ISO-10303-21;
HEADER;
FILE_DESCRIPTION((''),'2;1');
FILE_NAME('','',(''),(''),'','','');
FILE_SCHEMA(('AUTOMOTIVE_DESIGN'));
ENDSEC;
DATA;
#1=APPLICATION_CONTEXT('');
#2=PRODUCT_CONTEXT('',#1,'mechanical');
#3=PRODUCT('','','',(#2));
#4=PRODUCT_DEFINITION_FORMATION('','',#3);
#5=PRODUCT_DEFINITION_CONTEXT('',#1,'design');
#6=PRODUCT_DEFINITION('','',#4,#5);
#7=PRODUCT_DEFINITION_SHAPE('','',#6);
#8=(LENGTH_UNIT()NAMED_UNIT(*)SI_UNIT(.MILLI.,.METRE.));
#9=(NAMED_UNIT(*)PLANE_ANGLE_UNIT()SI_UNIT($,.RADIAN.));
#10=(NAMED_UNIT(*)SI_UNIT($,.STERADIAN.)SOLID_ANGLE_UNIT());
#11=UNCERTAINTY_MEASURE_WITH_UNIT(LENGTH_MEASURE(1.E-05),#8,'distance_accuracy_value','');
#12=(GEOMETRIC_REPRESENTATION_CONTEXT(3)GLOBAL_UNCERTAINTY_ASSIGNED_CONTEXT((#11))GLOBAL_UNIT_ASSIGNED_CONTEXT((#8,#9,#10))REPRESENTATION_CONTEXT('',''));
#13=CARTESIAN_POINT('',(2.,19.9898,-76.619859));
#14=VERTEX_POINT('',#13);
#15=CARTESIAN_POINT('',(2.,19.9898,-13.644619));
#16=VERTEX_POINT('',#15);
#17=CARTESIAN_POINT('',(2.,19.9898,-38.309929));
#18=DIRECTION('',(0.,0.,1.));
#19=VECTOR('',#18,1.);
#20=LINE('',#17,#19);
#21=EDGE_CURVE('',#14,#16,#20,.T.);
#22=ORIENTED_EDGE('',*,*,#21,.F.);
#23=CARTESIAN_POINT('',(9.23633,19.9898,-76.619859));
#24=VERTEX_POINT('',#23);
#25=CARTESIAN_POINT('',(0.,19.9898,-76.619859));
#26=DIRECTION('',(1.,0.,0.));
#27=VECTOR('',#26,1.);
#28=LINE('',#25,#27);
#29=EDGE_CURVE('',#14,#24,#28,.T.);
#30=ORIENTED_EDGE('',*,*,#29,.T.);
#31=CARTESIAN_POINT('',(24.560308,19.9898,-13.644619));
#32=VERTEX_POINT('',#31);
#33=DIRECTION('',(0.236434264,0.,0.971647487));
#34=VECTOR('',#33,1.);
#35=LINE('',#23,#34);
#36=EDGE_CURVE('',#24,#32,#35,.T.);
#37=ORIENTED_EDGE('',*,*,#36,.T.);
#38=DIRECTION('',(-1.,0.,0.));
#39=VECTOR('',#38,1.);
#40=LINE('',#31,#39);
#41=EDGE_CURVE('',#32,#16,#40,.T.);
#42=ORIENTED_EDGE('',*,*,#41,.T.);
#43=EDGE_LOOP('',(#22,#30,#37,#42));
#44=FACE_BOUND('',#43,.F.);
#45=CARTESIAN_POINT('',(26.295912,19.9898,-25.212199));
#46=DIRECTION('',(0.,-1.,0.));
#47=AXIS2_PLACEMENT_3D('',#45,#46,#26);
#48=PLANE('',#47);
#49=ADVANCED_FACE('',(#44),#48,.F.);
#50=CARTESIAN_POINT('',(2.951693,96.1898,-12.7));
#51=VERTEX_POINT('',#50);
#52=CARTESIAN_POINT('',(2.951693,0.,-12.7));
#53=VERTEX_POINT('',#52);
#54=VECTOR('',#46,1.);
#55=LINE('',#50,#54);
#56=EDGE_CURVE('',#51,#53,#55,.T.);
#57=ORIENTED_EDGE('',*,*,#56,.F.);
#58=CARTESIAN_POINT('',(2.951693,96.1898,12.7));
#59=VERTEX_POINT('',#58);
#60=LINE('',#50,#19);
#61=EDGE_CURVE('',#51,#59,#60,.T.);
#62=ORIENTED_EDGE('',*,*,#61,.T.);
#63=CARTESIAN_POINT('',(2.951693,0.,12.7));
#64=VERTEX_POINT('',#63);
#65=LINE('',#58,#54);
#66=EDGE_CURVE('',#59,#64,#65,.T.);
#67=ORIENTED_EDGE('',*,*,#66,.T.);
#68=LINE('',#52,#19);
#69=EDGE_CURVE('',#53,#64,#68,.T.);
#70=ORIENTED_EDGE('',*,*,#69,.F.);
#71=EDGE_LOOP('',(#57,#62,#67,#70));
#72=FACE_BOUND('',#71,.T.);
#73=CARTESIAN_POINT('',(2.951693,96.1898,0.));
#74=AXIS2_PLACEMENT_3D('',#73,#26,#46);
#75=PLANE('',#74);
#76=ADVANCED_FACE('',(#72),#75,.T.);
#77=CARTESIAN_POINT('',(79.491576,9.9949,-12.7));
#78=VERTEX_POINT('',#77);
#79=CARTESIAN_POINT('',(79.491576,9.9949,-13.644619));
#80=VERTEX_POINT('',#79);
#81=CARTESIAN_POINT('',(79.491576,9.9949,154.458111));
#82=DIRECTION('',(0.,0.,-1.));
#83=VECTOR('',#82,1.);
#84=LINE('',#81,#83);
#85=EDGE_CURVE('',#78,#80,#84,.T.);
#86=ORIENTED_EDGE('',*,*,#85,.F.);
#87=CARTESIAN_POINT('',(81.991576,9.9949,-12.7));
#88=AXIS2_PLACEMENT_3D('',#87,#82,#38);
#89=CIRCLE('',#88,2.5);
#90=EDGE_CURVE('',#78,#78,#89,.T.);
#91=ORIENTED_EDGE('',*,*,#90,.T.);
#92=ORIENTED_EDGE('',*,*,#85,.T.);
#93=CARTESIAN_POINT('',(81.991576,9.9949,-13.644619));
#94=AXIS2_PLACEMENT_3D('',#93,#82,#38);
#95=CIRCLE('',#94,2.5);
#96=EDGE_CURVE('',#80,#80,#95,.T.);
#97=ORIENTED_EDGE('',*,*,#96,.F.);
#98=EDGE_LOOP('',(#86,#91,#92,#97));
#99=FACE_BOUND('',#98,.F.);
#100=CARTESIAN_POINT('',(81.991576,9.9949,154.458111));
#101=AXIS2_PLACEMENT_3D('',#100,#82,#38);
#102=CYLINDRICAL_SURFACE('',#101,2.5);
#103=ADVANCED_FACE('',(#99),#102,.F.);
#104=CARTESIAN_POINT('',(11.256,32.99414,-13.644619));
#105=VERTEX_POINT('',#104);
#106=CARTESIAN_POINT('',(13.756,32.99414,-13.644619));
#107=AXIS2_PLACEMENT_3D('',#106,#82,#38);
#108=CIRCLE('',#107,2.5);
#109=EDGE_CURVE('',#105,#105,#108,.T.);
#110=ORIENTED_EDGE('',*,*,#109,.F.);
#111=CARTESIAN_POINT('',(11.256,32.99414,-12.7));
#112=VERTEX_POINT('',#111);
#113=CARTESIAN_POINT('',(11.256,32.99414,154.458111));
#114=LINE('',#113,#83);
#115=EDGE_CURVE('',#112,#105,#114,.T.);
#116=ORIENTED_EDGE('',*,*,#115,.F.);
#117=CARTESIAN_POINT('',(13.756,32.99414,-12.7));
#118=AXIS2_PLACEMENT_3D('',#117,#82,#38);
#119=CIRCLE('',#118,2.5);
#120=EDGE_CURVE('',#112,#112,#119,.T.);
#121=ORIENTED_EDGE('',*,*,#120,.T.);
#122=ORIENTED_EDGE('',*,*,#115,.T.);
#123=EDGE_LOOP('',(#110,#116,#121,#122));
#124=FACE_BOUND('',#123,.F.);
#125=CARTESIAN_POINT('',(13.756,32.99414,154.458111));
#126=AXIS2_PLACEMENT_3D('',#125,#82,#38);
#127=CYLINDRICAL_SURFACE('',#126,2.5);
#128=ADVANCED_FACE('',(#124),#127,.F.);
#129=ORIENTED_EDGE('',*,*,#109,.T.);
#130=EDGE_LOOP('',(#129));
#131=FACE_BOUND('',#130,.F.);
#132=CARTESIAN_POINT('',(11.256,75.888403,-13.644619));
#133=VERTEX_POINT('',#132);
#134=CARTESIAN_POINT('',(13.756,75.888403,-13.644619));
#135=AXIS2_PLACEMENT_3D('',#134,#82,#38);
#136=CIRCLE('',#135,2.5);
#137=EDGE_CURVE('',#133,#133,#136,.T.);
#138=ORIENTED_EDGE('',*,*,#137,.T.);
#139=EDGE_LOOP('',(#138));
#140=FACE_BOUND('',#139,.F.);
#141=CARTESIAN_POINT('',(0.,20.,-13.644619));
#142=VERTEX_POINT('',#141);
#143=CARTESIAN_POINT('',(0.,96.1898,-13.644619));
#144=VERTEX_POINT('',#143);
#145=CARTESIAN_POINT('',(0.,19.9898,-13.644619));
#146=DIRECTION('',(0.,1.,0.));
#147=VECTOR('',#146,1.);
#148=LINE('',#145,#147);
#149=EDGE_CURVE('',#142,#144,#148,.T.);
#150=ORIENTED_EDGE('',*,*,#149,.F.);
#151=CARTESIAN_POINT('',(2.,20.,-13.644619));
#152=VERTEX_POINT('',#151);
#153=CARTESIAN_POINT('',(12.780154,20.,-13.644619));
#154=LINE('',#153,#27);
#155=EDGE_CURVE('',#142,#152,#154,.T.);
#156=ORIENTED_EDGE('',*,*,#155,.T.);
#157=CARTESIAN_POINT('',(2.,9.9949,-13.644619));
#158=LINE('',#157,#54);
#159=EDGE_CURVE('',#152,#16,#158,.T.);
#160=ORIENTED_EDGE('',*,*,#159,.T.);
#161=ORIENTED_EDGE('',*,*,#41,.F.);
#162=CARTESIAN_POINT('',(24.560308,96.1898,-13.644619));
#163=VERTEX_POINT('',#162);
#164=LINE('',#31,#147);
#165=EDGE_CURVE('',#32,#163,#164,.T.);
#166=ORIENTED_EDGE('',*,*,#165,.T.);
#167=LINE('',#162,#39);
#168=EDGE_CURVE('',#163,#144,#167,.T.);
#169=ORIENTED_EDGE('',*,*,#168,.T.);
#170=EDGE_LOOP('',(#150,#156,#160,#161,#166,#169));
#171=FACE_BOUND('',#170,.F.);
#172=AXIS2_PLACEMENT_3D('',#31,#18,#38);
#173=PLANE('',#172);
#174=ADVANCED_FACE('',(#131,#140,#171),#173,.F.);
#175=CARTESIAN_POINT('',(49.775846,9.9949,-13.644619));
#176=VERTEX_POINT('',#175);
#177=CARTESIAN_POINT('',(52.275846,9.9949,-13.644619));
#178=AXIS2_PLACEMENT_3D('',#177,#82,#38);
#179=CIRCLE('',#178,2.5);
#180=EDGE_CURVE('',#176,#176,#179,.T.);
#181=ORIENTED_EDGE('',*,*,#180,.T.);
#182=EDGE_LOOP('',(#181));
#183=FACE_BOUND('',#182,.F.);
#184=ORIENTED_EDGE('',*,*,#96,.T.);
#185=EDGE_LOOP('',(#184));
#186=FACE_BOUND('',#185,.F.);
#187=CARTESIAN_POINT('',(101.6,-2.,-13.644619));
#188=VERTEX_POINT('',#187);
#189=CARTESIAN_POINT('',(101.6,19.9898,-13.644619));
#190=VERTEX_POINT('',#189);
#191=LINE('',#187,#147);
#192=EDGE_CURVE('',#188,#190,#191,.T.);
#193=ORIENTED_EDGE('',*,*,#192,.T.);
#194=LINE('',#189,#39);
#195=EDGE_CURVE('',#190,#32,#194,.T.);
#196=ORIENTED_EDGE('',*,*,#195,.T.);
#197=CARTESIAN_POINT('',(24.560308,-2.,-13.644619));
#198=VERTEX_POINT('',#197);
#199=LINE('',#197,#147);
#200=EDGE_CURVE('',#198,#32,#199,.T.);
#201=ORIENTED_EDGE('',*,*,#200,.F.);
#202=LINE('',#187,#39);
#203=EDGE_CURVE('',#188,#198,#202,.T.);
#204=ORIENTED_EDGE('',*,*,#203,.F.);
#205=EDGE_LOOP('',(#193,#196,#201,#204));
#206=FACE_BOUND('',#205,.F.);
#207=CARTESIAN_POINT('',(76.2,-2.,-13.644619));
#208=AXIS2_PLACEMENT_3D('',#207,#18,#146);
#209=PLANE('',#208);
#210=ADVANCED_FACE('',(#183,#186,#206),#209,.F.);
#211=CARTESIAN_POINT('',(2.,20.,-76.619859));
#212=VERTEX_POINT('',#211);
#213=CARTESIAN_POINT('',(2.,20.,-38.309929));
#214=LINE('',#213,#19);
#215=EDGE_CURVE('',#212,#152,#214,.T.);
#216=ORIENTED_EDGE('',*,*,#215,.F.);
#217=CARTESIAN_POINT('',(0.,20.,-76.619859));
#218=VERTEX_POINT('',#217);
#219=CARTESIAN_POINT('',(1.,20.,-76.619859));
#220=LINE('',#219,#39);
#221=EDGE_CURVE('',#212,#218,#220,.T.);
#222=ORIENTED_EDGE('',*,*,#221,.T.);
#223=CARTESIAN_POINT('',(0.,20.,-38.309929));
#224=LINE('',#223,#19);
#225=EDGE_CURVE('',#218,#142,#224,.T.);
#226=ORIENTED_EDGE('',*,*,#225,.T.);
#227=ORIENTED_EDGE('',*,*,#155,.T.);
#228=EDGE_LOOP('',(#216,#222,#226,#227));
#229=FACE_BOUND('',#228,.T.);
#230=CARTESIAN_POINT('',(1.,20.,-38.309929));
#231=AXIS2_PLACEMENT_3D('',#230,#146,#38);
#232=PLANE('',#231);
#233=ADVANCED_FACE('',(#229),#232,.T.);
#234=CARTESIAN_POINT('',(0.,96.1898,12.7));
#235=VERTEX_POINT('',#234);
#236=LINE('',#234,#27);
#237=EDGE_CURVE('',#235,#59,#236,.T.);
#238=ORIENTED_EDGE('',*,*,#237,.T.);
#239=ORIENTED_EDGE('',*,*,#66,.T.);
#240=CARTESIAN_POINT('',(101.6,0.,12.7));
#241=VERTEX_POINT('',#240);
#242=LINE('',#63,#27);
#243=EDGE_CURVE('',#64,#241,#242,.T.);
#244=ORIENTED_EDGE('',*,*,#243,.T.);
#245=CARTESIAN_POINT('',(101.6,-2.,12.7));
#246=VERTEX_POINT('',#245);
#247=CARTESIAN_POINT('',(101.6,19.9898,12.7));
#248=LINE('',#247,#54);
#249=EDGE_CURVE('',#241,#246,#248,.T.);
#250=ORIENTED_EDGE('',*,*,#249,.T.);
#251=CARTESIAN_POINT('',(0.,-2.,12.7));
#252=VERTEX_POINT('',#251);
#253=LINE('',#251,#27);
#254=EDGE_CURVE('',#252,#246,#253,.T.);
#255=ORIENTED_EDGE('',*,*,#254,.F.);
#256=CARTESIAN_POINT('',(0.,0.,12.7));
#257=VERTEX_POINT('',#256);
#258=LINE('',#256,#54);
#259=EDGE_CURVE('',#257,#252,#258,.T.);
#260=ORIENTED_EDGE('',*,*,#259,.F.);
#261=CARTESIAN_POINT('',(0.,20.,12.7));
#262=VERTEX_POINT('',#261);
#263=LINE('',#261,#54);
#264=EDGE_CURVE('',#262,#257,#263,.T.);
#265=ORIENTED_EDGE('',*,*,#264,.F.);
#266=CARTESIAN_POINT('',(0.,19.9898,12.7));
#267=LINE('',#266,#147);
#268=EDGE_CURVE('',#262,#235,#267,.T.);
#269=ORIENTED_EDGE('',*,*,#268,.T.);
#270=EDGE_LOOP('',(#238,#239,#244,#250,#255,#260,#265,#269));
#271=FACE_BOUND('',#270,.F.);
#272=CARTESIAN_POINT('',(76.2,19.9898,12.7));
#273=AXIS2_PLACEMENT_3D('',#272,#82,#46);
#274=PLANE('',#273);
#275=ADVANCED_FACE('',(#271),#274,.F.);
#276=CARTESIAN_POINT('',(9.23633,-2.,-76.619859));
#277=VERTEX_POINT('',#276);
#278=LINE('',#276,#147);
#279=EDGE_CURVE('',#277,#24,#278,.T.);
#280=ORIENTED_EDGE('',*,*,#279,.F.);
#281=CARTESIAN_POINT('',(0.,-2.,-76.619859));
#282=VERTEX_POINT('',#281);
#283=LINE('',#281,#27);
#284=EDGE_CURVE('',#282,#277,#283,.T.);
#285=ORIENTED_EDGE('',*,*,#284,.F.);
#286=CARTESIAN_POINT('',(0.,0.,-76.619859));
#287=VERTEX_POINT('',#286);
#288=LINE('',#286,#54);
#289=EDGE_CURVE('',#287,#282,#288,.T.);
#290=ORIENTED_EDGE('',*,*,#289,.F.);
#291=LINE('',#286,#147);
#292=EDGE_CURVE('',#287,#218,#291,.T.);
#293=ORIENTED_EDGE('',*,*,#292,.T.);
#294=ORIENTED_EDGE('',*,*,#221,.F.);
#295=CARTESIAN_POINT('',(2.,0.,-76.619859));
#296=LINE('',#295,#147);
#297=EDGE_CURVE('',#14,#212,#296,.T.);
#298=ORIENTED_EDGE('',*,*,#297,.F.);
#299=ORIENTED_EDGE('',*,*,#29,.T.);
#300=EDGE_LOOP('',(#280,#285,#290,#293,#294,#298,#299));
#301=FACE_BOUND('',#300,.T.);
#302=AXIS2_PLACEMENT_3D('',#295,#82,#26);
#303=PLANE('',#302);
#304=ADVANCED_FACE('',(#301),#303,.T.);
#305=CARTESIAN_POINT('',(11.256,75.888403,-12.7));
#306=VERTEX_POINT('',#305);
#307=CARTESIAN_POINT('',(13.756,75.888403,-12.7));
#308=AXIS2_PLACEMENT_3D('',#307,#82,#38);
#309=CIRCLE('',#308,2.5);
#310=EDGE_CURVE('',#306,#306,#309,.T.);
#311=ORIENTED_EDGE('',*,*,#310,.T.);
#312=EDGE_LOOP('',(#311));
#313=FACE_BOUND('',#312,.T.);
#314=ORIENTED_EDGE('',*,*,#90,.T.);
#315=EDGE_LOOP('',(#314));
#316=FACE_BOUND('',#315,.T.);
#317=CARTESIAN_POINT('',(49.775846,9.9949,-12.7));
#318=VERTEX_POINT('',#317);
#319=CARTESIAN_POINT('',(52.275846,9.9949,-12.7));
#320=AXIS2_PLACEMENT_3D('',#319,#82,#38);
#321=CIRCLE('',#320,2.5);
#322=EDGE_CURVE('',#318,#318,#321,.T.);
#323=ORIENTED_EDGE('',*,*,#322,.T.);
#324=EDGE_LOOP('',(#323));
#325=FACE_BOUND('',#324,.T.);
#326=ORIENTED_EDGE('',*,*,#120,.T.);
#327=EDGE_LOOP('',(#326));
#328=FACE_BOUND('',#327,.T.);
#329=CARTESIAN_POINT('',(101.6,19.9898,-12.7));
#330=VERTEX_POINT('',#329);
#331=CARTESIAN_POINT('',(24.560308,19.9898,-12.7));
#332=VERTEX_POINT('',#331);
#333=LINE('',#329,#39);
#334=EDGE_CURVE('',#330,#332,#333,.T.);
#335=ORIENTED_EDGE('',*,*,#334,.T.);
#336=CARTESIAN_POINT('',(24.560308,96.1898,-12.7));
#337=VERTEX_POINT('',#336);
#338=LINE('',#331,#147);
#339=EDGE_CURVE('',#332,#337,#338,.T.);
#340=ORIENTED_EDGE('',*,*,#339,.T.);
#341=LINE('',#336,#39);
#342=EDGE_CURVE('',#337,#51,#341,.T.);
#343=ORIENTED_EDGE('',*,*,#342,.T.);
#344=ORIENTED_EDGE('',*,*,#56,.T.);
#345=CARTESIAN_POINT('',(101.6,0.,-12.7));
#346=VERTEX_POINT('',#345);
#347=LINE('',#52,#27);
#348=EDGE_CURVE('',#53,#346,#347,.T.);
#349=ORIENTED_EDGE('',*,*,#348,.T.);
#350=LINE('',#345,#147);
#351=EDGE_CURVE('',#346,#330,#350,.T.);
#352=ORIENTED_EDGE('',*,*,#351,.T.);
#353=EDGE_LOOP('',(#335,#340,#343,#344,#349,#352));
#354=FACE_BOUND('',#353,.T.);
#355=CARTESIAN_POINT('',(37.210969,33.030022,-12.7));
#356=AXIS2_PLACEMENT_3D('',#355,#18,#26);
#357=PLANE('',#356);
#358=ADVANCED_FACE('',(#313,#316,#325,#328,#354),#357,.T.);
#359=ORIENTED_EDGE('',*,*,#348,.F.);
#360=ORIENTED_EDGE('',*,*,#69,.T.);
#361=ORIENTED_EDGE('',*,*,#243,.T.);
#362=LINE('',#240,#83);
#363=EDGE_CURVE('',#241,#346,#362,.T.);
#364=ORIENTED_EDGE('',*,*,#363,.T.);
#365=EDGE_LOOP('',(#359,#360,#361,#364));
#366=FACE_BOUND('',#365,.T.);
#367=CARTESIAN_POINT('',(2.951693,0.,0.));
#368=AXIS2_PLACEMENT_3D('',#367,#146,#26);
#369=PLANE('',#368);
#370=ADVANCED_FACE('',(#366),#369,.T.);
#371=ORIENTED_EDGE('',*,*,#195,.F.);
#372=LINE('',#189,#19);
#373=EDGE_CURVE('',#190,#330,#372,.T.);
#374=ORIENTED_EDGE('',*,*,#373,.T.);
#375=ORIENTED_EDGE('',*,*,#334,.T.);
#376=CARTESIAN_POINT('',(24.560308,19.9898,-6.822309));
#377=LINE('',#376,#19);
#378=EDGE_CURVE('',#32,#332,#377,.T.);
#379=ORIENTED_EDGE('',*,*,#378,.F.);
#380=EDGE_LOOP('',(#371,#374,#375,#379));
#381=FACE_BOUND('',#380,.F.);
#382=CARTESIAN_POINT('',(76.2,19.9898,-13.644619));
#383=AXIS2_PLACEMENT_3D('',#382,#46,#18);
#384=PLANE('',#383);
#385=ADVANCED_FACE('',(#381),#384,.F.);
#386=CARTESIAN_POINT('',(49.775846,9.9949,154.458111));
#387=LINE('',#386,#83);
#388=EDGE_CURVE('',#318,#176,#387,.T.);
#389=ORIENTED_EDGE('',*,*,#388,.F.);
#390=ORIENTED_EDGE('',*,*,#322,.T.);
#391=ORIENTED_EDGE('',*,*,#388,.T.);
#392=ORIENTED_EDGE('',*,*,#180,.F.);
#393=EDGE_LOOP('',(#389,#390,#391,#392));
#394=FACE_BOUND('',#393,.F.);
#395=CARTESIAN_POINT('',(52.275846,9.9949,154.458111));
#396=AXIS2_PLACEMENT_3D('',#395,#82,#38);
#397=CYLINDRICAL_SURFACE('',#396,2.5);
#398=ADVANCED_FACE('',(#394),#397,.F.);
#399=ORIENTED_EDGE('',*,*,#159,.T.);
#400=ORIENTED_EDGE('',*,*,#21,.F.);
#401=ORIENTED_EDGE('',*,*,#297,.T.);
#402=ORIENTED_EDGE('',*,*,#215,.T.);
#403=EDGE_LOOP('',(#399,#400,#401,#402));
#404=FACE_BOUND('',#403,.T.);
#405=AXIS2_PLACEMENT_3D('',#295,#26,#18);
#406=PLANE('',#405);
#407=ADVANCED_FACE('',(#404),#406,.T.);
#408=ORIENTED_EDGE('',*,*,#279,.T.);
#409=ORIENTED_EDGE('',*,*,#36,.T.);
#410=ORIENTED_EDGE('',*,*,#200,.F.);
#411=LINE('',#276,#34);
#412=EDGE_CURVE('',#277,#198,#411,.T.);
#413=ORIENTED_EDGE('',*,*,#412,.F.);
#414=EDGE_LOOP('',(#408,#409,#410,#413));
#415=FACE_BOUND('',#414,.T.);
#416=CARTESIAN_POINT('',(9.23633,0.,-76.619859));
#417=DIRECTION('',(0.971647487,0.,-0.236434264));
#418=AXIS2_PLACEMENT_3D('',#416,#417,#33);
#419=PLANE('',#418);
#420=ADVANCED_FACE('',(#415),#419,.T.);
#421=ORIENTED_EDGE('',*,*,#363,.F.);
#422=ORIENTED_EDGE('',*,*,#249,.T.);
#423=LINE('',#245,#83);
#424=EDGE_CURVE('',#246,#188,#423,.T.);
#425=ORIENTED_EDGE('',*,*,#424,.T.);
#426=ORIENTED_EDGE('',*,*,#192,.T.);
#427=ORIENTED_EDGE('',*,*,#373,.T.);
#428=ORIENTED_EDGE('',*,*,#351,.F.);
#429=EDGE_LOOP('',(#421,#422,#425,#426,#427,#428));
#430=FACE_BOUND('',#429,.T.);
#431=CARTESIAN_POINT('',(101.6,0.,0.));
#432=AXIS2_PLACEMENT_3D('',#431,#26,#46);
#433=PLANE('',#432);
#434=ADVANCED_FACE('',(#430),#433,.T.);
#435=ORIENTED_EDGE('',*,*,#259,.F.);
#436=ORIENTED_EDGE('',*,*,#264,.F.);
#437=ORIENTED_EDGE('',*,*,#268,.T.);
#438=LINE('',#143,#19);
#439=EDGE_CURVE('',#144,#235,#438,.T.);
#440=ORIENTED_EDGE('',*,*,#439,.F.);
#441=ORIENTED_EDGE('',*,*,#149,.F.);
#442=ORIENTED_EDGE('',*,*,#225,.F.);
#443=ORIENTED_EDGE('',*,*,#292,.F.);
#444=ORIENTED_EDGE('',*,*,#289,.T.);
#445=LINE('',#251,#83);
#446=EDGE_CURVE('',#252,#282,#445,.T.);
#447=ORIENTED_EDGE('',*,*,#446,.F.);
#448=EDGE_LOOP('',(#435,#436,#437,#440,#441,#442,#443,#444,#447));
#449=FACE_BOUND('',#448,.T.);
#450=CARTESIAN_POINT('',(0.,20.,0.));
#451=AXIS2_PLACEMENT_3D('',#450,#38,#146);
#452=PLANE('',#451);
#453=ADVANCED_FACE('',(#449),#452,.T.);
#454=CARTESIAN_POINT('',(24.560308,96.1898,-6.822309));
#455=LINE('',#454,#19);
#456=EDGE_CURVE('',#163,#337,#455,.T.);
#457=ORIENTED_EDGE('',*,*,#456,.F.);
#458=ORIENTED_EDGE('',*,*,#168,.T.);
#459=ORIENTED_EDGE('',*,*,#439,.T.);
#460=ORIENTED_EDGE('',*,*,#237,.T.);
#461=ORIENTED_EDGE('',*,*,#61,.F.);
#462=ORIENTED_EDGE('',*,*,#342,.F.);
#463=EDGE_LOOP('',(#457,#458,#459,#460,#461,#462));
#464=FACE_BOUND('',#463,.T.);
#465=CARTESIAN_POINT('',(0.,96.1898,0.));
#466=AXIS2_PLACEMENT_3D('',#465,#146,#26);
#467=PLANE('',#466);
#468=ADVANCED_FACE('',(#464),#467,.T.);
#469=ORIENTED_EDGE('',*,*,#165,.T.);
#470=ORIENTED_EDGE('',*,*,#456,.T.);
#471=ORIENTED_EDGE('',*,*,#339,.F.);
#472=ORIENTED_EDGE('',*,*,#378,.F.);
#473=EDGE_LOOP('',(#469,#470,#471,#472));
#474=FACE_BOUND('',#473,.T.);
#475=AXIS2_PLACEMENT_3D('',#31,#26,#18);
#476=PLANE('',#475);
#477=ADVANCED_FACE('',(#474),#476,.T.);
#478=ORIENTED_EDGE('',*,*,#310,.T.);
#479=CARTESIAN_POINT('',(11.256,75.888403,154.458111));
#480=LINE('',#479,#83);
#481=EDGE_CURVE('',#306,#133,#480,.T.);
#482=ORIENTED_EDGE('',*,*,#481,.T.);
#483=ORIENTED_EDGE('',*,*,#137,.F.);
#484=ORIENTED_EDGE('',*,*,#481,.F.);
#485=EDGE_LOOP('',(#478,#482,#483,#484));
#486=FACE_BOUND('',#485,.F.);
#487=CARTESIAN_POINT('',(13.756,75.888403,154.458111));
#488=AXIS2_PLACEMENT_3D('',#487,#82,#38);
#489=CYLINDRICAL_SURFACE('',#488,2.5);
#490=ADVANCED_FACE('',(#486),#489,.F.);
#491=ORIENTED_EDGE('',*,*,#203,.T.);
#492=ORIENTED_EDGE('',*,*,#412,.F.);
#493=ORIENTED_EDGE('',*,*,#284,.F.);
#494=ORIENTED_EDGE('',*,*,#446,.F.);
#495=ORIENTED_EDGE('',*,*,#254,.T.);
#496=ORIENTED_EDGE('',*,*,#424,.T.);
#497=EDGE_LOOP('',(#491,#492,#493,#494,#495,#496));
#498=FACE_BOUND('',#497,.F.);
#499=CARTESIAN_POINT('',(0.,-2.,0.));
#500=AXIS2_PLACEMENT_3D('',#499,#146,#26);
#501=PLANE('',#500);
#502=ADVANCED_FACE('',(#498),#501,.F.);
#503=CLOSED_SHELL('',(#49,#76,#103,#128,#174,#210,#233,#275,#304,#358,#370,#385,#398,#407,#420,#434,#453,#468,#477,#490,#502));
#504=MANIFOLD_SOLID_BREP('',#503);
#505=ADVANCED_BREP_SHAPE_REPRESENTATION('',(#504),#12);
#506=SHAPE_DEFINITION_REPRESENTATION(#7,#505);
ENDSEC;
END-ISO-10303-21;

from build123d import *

# Parameters (mm, degrees)
F1_DEPTH  = 2
F2_W      = 2
F2_H      = 76.6198585529
F3_DEPTH  = 20
F4_DEPTH  = 19.9898
F5_W      = 22.560308024
F5_H      = 13.6446189195
F5_W_2    = 2
F6_DEPTH  = 76.2
F7_DEPTH  = 25.4
F9_DEPTH  = 12.7
F10_DEPTH = 12.7
F12_D     = 5


with BuildPart() as f1:
    # F0 (on Front) → F1 (new body)
    with BuildSketch(Plane.XZ):
        Polygon((76.2, 0), (0, 0), (0, -76.6198585529), (9.2363302823, -76.6198585529), (24.560308024, -13.6446189195), (76.2, -13.6446189195), align=None)
    extrude(amount=F1_DEPTH)

    # F2 (on face) → F3 (join)
    with BuildSketch(Plane(origin=(0, 0, 0), x_dir=(-1, 0, 0), z_dir=(0, 1, 0))):
        with Locations((-1, -38.3099292764)):
            Rectangle(F2_W, F2_H)
    extrude(amount=F3_DEPTH)

    # F4 (add): a face of the model
    f4_faces = [f1.faces().sort_by_distance(p)[0] for p in [
        (15.8619650851, 0, -44.8800592008),
    ]]
    extrude(f4_faces, amount=F4_DEPTH)

    # F5 (on face) → F6 (join)
    with BuildSketch(Plane(origin=(0, 19.9898, 0), x_dir=(-1, 0, 0), z_dir=(0, 1, 0))):
        with Locations((-13.280154012, -6.8223094598)):
            Rectangle(F5_W, F5_H)
        with Locations((-1, -6.8223094598)):
            Rectangle(F5_W_2, F5_H)
    extrude(amount=F6_DEPTH)

    # F7 (add): a face of the model
    f7_faces = [f1.faces().sort_by_distance(p)[0] for p in [
        (76.2, 8.9949, -6.8223094598),
    ]]
    extrude(f7_faces, amount=F7_DEPTH)

    # F8 (on face) → F9 (cut)
    with BuildSketch(Plane.XY):
        Polygon((2.9516927898, 0), (101.6, 0), (101.6, 19.9898), (24.560308024, 19.9898), (24.560308024, 96.1898), (2.9516927898, 96.1898), align=None)
    extrude(amount=-F9_DEPTH, mode=Mode.SUBTRACT)

    # F10 (add): a face of the model
    f10_faces = [f1.faces().sort_by_distance(p)[0] for p in [
        (1.412933007, 47.0949, 0),
    ]]
    extrude(f10_faces, amount=F10_DEPTH)

    # F12 (through all)
    with Locations(Plane.XY.offset(-12.7)):
        with Locations((81.9915756583, 9.9949), (52.2758463949, 9.9949), (13.7560004069, 32.9941399395), (13.7560004069, 75.88840276)):
            Hole(F12_D / 2)


solid = f1.part
